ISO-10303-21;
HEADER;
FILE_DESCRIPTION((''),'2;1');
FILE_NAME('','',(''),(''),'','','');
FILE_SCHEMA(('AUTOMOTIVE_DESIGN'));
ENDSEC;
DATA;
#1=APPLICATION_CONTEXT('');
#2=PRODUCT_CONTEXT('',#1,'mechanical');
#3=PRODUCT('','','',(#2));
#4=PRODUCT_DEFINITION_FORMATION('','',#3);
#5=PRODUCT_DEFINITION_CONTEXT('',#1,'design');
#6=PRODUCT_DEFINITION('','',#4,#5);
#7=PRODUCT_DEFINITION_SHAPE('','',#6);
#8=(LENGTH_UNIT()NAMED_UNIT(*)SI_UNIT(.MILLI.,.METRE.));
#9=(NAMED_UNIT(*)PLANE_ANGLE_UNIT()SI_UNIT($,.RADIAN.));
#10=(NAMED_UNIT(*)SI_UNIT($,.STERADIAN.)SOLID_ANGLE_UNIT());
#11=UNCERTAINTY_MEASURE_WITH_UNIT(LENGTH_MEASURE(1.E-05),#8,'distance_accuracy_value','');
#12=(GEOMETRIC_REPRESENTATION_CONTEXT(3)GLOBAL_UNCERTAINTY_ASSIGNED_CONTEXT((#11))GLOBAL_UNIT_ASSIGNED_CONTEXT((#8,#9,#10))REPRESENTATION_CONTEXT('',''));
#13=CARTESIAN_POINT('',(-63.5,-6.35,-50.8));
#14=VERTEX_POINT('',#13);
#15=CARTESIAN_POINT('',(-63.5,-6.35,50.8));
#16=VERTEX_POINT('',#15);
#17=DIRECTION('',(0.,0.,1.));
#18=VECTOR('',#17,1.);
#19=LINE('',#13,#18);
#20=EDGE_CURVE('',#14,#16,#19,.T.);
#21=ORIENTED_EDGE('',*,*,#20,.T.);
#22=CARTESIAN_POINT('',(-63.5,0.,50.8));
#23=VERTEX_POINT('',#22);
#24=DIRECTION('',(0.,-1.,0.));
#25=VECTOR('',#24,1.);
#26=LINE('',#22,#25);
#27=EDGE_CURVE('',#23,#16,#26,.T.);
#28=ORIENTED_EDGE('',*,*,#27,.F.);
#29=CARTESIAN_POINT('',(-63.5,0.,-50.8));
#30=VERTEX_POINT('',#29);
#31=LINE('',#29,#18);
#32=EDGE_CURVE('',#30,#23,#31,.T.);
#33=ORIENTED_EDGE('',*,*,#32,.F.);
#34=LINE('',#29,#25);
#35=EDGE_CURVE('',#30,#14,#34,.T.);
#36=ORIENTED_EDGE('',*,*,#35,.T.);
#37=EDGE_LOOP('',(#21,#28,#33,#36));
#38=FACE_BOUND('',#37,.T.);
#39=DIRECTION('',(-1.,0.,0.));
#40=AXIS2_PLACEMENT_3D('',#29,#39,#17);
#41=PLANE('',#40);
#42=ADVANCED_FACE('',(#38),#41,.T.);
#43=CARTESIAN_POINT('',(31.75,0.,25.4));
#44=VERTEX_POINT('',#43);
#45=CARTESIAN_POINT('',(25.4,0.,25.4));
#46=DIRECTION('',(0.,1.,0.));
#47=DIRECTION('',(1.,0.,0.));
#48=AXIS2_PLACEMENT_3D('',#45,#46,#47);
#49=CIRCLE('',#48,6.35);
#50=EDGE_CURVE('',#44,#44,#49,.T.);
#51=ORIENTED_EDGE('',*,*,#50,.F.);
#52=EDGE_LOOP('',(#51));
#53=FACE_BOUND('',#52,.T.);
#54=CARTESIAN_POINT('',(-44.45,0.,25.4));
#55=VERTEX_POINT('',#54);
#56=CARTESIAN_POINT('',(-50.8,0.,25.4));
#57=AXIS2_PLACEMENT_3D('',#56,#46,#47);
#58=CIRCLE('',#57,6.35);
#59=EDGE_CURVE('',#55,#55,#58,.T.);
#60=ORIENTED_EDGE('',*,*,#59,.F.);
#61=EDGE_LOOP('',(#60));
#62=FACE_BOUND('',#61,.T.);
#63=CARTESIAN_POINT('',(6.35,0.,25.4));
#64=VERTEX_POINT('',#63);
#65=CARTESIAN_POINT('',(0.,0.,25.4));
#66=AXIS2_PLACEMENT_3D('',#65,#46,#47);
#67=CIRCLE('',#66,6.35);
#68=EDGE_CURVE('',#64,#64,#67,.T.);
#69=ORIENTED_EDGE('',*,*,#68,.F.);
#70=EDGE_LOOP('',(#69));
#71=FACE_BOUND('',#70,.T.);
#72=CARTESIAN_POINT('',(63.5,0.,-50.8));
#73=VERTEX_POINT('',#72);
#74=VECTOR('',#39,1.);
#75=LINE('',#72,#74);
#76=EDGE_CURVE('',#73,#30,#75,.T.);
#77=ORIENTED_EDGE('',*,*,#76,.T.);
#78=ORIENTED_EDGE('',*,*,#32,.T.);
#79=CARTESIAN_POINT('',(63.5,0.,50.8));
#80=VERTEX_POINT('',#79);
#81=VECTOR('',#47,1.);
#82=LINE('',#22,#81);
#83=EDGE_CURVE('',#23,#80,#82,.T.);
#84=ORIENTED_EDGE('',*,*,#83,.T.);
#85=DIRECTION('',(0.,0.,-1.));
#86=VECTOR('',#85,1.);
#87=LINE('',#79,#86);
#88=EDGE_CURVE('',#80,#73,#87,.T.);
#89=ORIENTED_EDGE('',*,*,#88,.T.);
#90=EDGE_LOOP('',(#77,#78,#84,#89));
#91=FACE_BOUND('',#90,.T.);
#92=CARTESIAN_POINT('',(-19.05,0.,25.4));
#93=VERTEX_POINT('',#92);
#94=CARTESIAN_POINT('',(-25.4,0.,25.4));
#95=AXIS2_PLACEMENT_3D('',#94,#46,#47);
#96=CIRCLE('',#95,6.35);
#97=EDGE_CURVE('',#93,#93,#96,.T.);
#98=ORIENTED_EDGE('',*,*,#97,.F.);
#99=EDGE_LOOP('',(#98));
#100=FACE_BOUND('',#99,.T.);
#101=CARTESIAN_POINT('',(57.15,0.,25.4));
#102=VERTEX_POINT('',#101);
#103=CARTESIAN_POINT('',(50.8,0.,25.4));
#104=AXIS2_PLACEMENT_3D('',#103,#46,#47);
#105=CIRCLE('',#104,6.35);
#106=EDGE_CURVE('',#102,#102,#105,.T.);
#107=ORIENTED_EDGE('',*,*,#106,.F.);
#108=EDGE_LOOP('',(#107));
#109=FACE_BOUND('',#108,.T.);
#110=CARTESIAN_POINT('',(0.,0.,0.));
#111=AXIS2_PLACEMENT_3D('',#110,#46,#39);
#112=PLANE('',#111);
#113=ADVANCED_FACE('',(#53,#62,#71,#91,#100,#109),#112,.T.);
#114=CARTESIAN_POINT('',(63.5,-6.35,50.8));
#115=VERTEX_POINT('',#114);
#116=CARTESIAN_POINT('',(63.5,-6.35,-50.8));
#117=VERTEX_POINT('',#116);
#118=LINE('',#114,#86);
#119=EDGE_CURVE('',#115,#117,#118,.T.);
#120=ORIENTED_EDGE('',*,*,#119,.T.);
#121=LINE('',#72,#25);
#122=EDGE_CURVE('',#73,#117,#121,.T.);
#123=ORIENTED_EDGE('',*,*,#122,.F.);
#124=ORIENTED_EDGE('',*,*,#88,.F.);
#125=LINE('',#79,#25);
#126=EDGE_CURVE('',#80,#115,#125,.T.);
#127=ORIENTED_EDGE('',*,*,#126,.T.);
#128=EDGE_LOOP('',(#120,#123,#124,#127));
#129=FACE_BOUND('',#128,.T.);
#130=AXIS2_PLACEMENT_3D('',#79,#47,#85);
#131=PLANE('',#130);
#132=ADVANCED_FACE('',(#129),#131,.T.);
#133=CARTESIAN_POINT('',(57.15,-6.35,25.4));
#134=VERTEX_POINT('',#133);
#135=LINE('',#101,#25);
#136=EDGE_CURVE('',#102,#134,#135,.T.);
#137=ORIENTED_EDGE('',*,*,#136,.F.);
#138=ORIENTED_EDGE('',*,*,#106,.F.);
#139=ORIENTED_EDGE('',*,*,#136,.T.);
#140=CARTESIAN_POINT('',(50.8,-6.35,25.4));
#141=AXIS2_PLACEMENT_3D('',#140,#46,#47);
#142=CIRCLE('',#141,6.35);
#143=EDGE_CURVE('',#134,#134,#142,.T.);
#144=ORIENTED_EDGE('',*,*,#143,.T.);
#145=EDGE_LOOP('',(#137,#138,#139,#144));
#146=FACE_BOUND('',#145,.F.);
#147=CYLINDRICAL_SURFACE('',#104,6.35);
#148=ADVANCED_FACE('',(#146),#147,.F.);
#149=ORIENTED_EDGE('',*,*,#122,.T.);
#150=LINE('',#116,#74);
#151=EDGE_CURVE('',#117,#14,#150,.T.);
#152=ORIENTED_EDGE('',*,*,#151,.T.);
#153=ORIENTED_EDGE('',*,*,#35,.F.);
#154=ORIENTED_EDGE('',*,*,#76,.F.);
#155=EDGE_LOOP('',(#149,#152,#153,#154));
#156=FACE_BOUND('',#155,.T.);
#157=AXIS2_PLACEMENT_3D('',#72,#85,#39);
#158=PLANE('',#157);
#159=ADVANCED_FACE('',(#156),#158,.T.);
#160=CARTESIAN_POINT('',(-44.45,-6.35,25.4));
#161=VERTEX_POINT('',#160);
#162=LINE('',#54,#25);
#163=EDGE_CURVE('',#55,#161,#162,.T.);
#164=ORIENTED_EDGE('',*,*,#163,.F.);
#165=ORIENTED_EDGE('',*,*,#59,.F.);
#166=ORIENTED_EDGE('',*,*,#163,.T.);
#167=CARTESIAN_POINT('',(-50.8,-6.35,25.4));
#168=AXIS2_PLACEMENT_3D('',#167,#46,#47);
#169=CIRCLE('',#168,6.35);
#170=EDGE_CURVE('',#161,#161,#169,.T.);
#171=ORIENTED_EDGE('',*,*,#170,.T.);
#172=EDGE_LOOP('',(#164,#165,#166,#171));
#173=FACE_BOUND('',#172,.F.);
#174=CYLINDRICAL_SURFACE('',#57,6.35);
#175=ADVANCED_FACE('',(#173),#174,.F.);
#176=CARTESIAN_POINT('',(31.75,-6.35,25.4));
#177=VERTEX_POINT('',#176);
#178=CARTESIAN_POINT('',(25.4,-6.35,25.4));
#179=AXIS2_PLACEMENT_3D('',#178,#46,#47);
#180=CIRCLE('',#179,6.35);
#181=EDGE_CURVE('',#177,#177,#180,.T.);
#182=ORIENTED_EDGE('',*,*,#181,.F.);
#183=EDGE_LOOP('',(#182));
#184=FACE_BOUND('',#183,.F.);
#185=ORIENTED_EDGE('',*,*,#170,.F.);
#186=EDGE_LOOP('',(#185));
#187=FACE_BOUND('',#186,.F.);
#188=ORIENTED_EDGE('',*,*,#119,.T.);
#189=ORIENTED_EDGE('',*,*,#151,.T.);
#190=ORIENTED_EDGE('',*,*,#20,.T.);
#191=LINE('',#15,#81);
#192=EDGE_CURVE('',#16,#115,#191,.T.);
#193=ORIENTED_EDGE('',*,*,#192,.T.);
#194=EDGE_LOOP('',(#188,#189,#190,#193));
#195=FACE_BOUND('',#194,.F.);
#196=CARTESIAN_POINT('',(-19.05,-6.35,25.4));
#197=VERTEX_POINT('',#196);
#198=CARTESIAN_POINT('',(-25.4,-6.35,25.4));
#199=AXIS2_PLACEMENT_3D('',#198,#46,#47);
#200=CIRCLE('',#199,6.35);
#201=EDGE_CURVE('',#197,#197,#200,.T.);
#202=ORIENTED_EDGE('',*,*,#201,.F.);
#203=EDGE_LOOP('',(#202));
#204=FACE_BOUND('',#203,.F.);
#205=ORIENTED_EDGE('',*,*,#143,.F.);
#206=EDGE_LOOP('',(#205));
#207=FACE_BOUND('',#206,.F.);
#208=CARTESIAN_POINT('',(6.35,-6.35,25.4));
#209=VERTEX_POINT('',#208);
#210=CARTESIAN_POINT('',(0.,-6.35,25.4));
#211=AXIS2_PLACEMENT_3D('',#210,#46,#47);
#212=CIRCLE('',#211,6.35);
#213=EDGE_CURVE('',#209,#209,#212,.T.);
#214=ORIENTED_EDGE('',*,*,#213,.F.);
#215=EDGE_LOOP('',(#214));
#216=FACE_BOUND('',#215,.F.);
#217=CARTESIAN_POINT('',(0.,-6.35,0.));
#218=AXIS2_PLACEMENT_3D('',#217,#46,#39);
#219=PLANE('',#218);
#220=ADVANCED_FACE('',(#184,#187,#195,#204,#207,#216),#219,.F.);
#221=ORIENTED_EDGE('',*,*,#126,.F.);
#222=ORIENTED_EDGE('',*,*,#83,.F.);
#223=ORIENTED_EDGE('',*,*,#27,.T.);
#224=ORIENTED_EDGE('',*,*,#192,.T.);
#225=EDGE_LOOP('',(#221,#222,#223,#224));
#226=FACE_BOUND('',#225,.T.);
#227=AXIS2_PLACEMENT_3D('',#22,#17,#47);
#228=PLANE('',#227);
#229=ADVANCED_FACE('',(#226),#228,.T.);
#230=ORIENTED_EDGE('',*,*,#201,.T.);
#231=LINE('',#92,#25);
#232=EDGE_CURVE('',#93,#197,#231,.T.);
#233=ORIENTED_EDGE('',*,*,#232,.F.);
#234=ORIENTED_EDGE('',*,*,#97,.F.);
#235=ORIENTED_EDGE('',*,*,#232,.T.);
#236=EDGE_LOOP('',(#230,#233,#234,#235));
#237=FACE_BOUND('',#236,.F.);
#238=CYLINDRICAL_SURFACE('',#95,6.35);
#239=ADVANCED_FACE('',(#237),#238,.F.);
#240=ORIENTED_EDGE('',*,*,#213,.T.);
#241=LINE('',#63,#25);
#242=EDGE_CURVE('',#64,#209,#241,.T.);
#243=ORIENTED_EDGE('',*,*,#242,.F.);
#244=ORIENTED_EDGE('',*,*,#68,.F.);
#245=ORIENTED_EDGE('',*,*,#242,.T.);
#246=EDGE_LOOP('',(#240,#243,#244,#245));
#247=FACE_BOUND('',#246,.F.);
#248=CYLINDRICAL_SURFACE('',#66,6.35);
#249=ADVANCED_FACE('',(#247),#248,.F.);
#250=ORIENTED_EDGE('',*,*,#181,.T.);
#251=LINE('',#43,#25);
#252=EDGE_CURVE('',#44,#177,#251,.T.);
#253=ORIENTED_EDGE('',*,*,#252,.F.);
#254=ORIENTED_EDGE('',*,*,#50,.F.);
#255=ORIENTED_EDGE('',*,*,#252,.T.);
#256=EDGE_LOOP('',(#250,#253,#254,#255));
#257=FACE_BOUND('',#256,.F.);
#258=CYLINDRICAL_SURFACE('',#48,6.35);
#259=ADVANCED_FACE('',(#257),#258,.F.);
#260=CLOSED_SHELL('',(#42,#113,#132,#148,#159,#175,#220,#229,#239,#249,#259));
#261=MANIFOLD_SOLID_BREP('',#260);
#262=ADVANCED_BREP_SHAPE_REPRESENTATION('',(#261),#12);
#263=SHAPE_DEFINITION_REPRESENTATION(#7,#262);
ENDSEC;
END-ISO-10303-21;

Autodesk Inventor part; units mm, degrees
ref_plane "XZ Plane" through (0, 0, 0) normal (0, 1, 0) x (-1, 0, 0)
ref_plane "XY Plane" through (0, 0, 0) normal (0, 0, 1) x (1, 0, 0)
sketch "Sketch1" plane through (0, 0, 0) normal (0, 1, 0) x (-1, 0, 0)
  line L0 (63.5, 50.8) -> (-63.5, 50.8)
  line L1 (-63.5, 50.8) -> (-63.5, -50.8)
  line L2 (-63.5, -50.8) -> (63.5, -50.8)
  line L3 (63.5, -50.8) -> (63.5, 50.8)
  line L4 (63.5, 50.8) -> (-63.5, -50.8) construction
  line L5 (-63.5, 50.8) -> (63.5, -50.8) construction
  point P0 (0, 0)
  dimension "d3" = 101.6
  dimension "d13" = 127
extrude "Extrusion1" add sketch "Sketch1" against normal blind 6.35
sketch "Sketch3" plane through (0, 0, 0) normal (0, 1, 0) x (1, 0, 0)
  line L0 (-63.5, -50.8) -> (-63.5, 50.8) construction
  line L1 (-63.5, -25.4) -> (63.5, -25.4) construction
  line L2 (63.5, 50.8) -> (63.5, -50.8) construction
  line L3 (63.5, 50.8) -> (-63.5, 50.8) construction
  circle A0 centre (-50.8, -25.4) radius 6.35
  circle A1 centre (-25.4, -25.4) radius 6.35
  circle A2 centre (0, -25.4) radius 6.35
  circle A3 centre (25.4, -25.4) radius 6.35
  circle A4 centre (50.8, -25.4) radius 6.35
  point P0 (0, 0)
  dimension "d2" = 76.2
  dimension "d4" = 12.7
  dimension "d5" = 12.7
  dimension "d8" = 25.4
extrude "Extrusion2" cut sketch "Sketch3" against normal through all
properties part number "5-holes"
